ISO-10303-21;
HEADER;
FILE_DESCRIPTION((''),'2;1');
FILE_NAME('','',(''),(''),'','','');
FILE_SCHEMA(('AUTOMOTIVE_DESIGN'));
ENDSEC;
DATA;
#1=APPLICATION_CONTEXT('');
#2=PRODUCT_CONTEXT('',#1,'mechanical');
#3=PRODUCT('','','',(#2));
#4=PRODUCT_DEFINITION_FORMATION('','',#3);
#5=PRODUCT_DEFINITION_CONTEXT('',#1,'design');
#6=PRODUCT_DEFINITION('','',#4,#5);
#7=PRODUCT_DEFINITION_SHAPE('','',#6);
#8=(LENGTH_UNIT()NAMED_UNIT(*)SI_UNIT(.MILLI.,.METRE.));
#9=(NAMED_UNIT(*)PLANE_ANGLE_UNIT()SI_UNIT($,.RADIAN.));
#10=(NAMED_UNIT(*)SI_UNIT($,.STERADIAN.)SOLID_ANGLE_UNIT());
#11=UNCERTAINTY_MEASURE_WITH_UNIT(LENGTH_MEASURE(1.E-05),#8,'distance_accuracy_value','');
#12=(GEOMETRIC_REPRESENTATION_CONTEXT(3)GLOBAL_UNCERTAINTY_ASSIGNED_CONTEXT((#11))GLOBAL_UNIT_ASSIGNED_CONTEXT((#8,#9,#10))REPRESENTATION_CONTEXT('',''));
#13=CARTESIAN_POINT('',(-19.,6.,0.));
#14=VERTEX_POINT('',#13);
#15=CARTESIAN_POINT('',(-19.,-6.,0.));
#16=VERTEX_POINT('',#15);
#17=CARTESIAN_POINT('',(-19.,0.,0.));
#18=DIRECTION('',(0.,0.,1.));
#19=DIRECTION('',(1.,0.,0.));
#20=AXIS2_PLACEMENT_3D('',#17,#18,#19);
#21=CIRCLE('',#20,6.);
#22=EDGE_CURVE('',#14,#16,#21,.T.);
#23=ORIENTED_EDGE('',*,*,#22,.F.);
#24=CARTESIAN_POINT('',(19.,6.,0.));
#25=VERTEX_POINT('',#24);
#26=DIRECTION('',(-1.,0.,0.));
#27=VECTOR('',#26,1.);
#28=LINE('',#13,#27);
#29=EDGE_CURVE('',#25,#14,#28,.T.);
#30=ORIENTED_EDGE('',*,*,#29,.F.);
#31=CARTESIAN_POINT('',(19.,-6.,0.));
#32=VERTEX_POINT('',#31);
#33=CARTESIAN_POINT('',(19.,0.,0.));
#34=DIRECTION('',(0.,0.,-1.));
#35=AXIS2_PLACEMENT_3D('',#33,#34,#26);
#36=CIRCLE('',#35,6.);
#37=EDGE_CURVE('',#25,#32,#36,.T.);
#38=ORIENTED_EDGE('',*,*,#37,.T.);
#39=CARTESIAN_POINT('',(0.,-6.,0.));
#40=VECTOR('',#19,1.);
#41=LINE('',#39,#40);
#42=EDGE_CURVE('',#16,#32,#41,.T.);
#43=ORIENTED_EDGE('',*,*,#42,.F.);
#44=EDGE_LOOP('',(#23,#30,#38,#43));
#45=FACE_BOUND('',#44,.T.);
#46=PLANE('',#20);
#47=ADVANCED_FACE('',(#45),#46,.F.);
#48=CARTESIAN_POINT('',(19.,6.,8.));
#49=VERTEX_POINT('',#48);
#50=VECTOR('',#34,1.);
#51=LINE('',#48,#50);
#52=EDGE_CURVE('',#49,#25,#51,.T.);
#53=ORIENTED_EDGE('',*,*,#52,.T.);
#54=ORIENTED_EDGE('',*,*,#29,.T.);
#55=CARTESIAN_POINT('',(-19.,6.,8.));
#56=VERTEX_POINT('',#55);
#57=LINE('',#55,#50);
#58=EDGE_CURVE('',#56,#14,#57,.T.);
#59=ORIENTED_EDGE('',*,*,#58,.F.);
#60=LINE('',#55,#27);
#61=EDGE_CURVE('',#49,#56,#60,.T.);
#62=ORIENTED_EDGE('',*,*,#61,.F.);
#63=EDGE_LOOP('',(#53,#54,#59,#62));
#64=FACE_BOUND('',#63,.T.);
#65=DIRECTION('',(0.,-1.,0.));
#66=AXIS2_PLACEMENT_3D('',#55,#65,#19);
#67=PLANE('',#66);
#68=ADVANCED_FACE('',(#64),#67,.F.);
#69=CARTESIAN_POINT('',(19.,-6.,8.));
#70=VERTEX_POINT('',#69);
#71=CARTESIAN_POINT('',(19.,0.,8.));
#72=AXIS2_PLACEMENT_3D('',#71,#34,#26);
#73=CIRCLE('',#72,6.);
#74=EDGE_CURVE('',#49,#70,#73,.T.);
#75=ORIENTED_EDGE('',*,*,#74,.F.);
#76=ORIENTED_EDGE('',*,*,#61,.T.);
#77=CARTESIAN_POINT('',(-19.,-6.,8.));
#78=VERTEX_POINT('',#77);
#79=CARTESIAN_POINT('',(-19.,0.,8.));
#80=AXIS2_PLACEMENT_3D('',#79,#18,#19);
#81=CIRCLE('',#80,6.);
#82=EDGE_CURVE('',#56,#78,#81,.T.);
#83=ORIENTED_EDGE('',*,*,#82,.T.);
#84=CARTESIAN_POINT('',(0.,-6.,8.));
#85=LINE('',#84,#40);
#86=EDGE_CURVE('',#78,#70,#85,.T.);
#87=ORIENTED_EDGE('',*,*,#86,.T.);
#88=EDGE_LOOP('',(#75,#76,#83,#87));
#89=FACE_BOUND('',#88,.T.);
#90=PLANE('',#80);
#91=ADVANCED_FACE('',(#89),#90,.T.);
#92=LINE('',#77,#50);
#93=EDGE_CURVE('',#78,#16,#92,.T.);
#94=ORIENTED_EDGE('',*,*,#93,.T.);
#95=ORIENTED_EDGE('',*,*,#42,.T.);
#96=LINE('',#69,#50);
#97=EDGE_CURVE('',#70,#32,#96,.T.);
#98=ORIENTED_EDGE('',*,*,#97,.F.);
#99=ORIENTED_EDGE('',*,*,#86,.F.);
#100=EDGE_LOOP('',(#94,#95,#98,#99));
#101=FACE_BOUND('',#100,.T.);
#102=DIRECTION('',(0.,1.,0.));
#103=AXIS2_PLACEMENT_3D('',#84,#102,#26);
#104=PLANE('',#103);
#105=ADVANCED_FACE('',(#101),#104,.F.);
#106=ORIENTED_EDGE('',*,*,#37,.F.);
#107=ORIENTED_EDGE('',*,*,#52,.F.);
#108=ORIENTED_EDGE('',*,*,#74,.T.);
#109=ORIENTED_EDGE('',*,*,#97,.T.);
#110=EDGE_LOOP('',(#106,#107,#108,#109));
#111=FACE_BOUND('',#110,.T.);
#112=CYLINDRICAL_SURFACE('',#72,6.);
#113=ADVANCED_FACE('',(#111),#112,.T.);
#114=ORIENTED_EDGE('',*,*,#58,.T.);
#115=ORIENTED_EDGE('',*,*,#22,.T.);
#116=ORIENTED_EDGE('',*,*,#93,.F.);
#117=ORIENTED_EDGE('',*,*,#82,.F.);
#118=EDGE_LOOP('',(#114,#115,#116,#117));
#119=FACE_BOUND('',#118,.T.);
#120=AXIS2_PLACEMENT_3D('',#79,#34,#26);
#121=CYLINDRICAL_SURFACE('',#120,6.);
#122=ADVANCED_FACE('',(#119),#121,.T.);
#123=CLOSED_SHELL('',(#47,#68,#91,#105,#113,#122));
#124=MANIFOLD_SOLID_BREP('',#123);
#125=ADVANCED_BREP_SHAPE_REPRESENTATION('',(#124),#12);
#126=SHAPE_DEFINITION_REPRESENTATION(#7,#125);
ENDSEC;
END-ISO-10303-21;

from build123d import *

# Parameters (mm, degrees)
BOSS_EXTRUDE1_DEPTH = 8


with BuildPart() as part:
    # Sketch1 → Boss-Extrude1 (new body)
    with BuildSketch(Plane.XY):
        with BuildLine():
            Line((-19, 6), (0, 6))
            Line((0, 6), (0, -6))
            Line((0, -6), (-19, -6))
            ThreePointArc((-19, -6), (-25, 0), (-19, 6))
        make_face()
    boss_extrude1 = extrude(amount=BOSS_EXTRUDE1_DEPTH)

    # Mirror1: Boss-Extrude1 across plane
    add(boss_extrude1.mirror(Plane(origin=(0, 6, 8), x_dir=(0, 0, 1), z_dir=(-1, 0, 0))))


solid = part.part
